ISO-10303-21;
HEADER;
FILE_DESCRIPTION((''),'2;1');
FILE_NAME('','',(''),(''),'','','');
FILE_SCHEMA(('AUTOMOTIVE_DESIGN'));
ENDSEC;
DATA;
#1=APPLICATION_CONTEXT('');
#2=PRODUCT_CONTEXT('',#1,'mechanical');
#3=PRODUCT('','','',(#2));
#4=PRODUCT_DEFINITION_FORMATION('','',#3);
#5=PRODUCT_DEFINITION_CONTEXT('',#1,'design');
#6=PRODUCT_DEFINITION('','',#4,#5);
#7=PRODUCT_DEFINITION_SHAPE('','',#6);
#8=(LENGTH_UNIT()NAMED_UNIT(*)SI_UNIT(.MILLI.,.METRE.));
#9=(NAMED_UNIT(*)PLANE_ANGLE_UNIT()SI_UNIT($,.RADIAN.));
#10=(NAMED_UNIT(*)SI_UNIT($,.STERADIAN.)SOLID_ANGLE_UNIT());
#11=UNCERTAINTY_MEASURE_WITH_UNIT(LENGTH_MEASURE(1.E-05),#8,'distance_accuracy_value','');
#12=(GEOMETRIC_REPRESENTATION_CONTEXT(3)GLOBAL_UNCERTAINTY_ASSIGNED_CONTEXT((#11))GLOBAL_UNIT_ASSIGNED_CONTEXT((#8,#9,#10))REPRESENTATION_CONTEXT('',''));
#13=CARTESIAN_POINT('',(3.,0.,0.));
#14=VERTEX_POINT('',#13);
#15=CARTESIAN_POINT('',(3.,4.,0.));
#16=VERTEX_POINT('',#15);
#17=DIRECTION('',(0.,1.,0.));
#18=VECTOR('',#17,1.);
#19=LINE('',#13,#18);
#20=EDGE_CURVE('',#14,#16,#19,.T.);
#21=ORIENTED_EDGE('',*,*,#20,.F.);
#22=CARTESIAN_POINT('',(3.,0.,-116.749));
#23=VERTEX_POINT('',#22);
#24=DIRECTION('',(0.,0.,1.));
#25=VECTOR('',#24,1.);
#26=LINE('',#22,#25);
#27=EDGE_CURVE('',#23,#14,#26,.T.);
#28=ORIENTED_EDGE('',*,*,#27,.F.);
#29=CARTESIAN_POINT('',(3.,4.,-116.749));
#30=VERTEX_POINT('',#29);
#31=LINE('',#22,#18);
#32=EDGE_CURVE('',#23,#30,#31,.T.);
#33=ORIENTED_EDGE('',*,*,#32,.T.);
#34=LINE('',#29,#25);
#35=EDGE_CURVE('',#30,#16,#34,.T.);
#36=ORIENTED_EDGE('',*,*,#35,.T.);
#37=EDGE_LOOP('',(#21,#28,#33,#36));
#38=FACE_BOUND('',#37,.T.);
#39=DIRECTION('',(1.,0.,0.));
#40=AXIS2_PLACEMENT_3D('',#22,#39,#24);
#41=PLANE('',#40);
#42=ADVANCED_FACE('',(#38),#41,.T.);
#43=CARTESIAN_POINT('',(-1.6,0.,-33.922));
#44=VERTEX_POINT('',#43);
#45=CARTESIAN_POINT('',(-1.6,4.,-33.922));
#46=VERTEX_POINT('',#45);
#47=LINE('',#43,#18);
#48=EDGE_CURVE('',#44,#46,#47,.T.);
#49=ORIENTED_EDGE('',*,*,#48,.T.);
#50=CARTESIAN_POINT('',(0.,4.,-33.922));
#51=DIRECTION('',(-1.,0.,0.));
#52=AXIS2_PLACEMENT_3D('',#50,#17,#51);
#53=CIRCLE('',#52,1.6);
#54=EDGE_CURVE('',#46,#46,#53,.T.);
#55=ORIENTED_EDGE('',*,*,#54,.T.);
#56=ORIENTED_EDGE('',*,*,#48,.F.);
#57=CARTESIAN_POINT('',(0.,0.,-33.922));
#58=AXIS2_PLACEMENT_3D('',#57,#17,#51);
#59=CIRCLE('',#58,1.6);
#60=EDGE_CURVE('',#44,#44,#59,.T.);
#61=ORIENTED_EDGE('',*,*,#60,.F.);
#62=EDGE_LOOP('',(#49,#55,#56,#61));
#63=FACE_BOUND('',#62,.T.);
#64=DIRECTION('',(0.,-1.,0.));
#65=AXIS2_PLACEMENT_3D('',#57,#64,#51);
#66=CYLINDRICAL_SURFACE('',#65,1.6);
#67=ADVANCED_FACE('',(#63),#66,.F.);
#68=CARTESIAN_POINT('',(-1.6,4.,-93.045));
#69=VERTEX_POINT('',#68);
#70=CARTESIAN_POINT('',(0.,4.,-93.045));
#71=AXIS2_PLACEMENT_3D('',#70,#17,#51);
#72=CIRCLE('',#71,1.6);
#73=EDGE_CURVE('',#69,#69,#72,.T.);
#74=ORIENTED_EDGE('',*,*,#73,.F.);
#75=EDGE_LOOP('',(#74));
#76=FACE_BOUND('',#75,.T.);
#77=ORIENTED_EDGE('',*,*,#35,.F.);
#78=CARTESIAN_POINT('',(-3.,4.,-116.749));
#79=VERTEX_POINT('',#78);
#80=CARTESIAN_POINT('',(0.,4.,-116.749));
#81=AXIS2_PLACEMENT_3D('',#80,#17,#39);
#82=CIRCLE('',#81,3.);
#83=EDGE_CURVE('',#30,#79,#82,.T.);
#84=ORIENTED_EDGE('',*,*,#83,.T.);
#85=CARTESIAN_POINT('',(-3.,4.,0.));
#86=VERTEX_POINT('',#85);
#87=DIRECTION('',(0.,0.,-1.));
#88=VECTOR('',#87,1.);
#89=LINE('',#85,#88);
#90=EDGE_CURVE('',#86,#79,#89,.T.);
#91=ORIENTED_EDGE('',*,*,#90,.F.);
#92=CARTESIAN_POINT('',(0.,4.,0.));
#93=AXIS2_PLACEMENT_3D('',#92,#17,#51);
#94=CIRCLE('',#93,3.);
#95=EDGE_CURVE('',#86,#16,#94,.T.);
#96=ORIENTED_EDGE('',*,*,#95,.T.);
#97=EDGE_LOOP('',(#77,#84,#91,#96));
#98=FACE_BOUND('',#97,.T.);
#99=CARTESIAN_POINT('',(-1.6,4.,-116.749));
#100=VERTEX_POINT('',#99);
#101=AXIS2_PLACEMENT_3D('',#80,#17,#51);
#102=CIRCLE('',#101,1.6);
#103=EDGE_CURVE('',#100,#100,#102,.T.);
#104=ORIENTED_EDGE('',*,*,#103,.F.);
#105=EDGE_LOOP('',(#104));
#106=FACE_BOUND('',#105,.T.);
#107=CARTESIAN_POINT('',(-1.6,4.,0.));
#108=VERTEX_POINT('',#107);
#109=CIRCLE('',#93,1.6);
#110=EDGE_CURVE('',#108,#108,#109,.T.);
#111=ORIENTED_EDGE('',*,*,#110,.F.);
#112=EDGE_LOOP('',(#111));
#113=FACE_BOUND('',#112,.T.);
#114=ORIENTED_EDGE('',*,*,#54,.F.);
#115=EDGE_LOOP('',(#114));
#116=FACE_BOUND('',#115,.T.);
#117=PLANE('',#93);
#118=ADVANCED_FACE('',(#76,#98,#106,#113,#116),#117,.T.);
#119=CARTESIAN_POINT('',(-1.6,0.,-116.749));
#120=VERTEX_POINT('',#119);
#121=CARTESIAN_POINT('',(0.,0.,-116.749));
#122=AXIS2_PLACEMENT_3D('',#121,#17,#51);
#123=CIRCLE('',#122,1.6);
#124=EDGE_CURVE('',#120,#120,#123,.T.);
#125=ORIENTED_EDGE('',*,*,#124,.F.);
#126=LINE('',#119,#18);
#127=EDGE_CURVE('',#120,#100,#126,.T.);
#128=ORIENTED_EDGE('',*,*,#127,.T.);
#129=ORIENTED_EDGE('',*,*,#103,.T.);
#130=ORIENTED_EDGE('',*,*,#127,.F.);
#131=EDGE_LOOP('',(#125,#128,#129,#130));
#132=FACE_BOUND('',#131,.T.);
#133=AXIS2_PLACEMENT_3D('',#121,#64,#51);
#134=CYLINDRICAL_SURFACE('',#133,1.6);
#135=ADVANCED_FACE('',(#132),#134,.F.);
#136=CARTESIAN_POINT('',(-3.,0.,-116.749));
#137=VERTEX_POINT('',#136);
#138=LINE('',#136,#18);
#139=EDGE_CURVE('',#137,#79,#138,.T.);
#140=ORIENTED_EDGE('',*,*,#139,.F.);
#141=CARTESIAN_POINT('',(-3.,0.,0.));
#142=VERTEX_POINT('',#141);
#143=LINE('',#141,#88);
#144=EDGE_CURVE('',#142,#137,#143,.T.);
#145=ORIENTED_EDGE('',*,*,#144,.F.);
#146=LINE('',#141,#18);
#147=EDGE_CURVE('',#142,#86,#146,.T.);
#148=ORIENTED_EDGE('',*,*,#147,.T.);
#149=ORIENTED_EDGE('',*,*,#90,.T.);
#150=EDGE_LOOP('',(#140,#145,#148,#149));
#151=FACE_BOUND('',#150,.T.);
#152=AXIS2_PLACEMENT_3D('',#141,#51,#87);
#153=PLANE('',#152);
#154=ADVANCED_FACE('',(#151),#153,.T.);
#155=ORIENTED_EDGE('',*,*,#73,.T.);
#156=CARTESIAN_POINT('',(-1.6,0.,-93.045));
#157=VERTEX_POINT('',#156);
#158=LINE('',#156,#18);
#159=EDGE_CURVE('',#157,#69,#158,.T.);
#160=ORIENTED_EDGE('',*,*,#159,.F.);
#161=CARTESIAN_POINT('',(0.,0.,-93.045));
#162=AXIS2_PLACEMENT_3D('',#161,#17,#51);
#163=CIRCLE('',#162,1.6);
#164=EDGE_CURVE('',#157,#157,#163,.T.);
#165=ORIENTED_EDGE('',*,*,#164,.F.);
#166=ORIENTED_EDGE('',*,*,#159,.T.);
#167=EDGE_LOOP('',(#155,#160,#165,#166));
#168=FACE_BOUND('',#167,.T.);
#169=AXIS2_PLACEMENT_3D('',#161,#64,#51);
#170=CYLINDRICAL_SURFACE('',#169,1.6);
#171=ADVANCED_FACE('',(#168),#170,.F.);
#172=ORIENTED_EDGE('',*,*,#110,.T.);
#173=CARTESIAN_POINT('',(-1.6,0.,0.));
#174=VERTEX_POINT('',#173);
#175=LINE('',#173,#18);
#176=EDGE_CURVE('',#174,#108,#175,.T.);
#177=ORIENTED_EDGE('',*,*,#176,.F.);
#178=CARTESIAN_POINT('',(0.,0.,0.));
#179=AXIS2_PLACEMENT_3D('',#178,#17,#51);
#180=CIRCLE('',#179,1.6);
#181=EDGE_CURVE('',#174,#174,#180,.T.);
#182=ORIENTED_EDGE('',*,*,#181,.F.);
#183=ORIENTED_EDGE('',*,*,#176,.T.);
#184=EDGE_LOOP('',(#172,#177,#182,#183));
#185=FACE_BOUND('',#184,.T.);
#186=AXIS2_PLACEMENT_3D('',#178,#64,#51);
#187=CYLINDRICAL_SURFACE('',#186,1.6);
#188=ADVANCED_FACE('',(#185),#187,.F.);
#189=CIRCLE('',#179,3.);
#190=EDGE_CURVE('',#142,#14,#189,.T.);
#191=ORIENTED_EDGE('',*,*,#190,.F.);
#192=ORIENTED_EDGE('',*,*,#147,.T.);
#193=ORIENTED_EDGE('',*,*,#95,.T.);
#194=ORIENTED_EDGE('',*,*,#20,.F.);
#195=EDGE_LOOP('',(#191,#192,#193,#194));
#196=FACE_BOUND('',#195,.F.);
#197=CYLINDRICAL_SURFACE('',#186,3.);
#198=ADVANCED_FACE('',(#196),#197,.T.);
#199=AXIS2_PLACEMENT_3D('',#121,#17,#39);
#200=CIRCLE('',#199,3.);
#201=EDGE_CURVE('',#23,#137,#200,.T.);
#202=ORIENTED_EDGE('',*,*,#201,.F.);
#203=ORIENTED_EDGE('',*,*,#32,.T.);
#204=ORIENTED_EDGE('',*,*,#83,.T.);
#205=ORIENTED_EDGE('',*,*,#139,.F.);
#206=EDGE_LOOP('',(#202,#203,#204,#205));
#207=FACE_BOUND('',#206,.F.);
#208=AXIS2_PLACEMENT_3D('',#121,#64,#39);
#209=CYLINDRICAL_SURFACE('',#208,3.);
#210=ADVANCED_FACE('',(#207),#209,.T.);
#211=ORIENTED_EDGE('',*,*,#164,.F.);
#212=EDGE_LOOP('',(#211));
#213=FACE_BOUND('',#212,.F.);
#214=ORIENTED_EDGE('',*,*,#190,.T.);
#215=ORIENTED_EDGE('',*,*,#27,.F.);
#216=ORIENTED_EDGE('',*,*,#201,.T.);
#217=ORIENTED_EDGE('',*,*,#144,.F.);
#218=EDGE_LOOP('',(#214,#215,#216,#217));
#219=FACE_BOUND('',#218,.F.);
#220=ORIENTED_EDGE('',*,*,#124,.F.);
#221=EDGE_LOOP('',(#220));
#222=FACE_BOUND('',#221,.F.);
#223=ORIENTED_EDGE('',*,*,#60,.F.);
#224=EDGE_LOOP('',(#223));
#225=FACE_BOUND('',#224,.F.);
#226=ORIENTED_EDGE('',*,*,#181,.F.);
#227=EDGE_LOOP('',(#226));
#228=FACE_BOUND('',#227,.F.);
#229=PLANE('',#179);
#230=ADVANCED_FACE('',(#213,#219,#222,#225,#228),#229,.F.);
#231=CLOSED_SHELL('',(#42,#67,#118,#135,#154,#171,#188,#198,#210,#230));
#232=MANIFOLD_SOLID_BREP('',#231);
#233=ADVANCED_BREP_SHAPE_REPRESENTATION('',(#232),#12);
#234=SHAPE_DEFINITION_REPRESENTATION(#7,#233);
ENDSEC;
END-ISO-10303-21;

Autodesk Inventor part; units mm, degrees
ref_plane "YZ Plane" through (0, 0, 0) normal (1, 0, 0) x (0, 1, 0)
ref_plane "XZ Plane" through (0, 0, 0) normal (0, 1, 0) x (-1, 0, 0)
ref_plane "XY Plane" through (0, 0, 0) normal (0, 0, 1) x (1, 0, 0)
sketch "Sketch1" plane through (0, 0, 0) normal (0, 1, 0) x (-1, 0, 0)
  line L0 (0, 0) -> (0, -116.749) construction
  line L1 (3, 0) -> (3, -116.749)
  line L2 (-3, -116.749) -> (-3, 0)
  arc A0 (3, 0) -> (-3, 0) centre (0, 0) ccw
  arc A1 (-3, -116.749) -> (3, -116.749) centre (0, -116.749) ccw
  circle A2 centre (0, 0) radius 1.6
  circle A3 centre (0, -116.749) radius 1.6
  circle A4 centre (0, -33.922) radius 1.6
  circle A5 centre (0, -93.045) radius 1.6
  point P0 (0, -58.3745)
  dimension "d0" = 3.2
  dimension "d1" = 3.2
  dimension "d2" = 6
  dimension "d3" = 116.749
  dimension "d4" = 3.2
  dimension "d5" = 33.922
  dimension "d8" = 3.2
  dimension "d9" = 93.045
extrude "Extrusion1" add sketch "Sketch1" along normal blind 4
